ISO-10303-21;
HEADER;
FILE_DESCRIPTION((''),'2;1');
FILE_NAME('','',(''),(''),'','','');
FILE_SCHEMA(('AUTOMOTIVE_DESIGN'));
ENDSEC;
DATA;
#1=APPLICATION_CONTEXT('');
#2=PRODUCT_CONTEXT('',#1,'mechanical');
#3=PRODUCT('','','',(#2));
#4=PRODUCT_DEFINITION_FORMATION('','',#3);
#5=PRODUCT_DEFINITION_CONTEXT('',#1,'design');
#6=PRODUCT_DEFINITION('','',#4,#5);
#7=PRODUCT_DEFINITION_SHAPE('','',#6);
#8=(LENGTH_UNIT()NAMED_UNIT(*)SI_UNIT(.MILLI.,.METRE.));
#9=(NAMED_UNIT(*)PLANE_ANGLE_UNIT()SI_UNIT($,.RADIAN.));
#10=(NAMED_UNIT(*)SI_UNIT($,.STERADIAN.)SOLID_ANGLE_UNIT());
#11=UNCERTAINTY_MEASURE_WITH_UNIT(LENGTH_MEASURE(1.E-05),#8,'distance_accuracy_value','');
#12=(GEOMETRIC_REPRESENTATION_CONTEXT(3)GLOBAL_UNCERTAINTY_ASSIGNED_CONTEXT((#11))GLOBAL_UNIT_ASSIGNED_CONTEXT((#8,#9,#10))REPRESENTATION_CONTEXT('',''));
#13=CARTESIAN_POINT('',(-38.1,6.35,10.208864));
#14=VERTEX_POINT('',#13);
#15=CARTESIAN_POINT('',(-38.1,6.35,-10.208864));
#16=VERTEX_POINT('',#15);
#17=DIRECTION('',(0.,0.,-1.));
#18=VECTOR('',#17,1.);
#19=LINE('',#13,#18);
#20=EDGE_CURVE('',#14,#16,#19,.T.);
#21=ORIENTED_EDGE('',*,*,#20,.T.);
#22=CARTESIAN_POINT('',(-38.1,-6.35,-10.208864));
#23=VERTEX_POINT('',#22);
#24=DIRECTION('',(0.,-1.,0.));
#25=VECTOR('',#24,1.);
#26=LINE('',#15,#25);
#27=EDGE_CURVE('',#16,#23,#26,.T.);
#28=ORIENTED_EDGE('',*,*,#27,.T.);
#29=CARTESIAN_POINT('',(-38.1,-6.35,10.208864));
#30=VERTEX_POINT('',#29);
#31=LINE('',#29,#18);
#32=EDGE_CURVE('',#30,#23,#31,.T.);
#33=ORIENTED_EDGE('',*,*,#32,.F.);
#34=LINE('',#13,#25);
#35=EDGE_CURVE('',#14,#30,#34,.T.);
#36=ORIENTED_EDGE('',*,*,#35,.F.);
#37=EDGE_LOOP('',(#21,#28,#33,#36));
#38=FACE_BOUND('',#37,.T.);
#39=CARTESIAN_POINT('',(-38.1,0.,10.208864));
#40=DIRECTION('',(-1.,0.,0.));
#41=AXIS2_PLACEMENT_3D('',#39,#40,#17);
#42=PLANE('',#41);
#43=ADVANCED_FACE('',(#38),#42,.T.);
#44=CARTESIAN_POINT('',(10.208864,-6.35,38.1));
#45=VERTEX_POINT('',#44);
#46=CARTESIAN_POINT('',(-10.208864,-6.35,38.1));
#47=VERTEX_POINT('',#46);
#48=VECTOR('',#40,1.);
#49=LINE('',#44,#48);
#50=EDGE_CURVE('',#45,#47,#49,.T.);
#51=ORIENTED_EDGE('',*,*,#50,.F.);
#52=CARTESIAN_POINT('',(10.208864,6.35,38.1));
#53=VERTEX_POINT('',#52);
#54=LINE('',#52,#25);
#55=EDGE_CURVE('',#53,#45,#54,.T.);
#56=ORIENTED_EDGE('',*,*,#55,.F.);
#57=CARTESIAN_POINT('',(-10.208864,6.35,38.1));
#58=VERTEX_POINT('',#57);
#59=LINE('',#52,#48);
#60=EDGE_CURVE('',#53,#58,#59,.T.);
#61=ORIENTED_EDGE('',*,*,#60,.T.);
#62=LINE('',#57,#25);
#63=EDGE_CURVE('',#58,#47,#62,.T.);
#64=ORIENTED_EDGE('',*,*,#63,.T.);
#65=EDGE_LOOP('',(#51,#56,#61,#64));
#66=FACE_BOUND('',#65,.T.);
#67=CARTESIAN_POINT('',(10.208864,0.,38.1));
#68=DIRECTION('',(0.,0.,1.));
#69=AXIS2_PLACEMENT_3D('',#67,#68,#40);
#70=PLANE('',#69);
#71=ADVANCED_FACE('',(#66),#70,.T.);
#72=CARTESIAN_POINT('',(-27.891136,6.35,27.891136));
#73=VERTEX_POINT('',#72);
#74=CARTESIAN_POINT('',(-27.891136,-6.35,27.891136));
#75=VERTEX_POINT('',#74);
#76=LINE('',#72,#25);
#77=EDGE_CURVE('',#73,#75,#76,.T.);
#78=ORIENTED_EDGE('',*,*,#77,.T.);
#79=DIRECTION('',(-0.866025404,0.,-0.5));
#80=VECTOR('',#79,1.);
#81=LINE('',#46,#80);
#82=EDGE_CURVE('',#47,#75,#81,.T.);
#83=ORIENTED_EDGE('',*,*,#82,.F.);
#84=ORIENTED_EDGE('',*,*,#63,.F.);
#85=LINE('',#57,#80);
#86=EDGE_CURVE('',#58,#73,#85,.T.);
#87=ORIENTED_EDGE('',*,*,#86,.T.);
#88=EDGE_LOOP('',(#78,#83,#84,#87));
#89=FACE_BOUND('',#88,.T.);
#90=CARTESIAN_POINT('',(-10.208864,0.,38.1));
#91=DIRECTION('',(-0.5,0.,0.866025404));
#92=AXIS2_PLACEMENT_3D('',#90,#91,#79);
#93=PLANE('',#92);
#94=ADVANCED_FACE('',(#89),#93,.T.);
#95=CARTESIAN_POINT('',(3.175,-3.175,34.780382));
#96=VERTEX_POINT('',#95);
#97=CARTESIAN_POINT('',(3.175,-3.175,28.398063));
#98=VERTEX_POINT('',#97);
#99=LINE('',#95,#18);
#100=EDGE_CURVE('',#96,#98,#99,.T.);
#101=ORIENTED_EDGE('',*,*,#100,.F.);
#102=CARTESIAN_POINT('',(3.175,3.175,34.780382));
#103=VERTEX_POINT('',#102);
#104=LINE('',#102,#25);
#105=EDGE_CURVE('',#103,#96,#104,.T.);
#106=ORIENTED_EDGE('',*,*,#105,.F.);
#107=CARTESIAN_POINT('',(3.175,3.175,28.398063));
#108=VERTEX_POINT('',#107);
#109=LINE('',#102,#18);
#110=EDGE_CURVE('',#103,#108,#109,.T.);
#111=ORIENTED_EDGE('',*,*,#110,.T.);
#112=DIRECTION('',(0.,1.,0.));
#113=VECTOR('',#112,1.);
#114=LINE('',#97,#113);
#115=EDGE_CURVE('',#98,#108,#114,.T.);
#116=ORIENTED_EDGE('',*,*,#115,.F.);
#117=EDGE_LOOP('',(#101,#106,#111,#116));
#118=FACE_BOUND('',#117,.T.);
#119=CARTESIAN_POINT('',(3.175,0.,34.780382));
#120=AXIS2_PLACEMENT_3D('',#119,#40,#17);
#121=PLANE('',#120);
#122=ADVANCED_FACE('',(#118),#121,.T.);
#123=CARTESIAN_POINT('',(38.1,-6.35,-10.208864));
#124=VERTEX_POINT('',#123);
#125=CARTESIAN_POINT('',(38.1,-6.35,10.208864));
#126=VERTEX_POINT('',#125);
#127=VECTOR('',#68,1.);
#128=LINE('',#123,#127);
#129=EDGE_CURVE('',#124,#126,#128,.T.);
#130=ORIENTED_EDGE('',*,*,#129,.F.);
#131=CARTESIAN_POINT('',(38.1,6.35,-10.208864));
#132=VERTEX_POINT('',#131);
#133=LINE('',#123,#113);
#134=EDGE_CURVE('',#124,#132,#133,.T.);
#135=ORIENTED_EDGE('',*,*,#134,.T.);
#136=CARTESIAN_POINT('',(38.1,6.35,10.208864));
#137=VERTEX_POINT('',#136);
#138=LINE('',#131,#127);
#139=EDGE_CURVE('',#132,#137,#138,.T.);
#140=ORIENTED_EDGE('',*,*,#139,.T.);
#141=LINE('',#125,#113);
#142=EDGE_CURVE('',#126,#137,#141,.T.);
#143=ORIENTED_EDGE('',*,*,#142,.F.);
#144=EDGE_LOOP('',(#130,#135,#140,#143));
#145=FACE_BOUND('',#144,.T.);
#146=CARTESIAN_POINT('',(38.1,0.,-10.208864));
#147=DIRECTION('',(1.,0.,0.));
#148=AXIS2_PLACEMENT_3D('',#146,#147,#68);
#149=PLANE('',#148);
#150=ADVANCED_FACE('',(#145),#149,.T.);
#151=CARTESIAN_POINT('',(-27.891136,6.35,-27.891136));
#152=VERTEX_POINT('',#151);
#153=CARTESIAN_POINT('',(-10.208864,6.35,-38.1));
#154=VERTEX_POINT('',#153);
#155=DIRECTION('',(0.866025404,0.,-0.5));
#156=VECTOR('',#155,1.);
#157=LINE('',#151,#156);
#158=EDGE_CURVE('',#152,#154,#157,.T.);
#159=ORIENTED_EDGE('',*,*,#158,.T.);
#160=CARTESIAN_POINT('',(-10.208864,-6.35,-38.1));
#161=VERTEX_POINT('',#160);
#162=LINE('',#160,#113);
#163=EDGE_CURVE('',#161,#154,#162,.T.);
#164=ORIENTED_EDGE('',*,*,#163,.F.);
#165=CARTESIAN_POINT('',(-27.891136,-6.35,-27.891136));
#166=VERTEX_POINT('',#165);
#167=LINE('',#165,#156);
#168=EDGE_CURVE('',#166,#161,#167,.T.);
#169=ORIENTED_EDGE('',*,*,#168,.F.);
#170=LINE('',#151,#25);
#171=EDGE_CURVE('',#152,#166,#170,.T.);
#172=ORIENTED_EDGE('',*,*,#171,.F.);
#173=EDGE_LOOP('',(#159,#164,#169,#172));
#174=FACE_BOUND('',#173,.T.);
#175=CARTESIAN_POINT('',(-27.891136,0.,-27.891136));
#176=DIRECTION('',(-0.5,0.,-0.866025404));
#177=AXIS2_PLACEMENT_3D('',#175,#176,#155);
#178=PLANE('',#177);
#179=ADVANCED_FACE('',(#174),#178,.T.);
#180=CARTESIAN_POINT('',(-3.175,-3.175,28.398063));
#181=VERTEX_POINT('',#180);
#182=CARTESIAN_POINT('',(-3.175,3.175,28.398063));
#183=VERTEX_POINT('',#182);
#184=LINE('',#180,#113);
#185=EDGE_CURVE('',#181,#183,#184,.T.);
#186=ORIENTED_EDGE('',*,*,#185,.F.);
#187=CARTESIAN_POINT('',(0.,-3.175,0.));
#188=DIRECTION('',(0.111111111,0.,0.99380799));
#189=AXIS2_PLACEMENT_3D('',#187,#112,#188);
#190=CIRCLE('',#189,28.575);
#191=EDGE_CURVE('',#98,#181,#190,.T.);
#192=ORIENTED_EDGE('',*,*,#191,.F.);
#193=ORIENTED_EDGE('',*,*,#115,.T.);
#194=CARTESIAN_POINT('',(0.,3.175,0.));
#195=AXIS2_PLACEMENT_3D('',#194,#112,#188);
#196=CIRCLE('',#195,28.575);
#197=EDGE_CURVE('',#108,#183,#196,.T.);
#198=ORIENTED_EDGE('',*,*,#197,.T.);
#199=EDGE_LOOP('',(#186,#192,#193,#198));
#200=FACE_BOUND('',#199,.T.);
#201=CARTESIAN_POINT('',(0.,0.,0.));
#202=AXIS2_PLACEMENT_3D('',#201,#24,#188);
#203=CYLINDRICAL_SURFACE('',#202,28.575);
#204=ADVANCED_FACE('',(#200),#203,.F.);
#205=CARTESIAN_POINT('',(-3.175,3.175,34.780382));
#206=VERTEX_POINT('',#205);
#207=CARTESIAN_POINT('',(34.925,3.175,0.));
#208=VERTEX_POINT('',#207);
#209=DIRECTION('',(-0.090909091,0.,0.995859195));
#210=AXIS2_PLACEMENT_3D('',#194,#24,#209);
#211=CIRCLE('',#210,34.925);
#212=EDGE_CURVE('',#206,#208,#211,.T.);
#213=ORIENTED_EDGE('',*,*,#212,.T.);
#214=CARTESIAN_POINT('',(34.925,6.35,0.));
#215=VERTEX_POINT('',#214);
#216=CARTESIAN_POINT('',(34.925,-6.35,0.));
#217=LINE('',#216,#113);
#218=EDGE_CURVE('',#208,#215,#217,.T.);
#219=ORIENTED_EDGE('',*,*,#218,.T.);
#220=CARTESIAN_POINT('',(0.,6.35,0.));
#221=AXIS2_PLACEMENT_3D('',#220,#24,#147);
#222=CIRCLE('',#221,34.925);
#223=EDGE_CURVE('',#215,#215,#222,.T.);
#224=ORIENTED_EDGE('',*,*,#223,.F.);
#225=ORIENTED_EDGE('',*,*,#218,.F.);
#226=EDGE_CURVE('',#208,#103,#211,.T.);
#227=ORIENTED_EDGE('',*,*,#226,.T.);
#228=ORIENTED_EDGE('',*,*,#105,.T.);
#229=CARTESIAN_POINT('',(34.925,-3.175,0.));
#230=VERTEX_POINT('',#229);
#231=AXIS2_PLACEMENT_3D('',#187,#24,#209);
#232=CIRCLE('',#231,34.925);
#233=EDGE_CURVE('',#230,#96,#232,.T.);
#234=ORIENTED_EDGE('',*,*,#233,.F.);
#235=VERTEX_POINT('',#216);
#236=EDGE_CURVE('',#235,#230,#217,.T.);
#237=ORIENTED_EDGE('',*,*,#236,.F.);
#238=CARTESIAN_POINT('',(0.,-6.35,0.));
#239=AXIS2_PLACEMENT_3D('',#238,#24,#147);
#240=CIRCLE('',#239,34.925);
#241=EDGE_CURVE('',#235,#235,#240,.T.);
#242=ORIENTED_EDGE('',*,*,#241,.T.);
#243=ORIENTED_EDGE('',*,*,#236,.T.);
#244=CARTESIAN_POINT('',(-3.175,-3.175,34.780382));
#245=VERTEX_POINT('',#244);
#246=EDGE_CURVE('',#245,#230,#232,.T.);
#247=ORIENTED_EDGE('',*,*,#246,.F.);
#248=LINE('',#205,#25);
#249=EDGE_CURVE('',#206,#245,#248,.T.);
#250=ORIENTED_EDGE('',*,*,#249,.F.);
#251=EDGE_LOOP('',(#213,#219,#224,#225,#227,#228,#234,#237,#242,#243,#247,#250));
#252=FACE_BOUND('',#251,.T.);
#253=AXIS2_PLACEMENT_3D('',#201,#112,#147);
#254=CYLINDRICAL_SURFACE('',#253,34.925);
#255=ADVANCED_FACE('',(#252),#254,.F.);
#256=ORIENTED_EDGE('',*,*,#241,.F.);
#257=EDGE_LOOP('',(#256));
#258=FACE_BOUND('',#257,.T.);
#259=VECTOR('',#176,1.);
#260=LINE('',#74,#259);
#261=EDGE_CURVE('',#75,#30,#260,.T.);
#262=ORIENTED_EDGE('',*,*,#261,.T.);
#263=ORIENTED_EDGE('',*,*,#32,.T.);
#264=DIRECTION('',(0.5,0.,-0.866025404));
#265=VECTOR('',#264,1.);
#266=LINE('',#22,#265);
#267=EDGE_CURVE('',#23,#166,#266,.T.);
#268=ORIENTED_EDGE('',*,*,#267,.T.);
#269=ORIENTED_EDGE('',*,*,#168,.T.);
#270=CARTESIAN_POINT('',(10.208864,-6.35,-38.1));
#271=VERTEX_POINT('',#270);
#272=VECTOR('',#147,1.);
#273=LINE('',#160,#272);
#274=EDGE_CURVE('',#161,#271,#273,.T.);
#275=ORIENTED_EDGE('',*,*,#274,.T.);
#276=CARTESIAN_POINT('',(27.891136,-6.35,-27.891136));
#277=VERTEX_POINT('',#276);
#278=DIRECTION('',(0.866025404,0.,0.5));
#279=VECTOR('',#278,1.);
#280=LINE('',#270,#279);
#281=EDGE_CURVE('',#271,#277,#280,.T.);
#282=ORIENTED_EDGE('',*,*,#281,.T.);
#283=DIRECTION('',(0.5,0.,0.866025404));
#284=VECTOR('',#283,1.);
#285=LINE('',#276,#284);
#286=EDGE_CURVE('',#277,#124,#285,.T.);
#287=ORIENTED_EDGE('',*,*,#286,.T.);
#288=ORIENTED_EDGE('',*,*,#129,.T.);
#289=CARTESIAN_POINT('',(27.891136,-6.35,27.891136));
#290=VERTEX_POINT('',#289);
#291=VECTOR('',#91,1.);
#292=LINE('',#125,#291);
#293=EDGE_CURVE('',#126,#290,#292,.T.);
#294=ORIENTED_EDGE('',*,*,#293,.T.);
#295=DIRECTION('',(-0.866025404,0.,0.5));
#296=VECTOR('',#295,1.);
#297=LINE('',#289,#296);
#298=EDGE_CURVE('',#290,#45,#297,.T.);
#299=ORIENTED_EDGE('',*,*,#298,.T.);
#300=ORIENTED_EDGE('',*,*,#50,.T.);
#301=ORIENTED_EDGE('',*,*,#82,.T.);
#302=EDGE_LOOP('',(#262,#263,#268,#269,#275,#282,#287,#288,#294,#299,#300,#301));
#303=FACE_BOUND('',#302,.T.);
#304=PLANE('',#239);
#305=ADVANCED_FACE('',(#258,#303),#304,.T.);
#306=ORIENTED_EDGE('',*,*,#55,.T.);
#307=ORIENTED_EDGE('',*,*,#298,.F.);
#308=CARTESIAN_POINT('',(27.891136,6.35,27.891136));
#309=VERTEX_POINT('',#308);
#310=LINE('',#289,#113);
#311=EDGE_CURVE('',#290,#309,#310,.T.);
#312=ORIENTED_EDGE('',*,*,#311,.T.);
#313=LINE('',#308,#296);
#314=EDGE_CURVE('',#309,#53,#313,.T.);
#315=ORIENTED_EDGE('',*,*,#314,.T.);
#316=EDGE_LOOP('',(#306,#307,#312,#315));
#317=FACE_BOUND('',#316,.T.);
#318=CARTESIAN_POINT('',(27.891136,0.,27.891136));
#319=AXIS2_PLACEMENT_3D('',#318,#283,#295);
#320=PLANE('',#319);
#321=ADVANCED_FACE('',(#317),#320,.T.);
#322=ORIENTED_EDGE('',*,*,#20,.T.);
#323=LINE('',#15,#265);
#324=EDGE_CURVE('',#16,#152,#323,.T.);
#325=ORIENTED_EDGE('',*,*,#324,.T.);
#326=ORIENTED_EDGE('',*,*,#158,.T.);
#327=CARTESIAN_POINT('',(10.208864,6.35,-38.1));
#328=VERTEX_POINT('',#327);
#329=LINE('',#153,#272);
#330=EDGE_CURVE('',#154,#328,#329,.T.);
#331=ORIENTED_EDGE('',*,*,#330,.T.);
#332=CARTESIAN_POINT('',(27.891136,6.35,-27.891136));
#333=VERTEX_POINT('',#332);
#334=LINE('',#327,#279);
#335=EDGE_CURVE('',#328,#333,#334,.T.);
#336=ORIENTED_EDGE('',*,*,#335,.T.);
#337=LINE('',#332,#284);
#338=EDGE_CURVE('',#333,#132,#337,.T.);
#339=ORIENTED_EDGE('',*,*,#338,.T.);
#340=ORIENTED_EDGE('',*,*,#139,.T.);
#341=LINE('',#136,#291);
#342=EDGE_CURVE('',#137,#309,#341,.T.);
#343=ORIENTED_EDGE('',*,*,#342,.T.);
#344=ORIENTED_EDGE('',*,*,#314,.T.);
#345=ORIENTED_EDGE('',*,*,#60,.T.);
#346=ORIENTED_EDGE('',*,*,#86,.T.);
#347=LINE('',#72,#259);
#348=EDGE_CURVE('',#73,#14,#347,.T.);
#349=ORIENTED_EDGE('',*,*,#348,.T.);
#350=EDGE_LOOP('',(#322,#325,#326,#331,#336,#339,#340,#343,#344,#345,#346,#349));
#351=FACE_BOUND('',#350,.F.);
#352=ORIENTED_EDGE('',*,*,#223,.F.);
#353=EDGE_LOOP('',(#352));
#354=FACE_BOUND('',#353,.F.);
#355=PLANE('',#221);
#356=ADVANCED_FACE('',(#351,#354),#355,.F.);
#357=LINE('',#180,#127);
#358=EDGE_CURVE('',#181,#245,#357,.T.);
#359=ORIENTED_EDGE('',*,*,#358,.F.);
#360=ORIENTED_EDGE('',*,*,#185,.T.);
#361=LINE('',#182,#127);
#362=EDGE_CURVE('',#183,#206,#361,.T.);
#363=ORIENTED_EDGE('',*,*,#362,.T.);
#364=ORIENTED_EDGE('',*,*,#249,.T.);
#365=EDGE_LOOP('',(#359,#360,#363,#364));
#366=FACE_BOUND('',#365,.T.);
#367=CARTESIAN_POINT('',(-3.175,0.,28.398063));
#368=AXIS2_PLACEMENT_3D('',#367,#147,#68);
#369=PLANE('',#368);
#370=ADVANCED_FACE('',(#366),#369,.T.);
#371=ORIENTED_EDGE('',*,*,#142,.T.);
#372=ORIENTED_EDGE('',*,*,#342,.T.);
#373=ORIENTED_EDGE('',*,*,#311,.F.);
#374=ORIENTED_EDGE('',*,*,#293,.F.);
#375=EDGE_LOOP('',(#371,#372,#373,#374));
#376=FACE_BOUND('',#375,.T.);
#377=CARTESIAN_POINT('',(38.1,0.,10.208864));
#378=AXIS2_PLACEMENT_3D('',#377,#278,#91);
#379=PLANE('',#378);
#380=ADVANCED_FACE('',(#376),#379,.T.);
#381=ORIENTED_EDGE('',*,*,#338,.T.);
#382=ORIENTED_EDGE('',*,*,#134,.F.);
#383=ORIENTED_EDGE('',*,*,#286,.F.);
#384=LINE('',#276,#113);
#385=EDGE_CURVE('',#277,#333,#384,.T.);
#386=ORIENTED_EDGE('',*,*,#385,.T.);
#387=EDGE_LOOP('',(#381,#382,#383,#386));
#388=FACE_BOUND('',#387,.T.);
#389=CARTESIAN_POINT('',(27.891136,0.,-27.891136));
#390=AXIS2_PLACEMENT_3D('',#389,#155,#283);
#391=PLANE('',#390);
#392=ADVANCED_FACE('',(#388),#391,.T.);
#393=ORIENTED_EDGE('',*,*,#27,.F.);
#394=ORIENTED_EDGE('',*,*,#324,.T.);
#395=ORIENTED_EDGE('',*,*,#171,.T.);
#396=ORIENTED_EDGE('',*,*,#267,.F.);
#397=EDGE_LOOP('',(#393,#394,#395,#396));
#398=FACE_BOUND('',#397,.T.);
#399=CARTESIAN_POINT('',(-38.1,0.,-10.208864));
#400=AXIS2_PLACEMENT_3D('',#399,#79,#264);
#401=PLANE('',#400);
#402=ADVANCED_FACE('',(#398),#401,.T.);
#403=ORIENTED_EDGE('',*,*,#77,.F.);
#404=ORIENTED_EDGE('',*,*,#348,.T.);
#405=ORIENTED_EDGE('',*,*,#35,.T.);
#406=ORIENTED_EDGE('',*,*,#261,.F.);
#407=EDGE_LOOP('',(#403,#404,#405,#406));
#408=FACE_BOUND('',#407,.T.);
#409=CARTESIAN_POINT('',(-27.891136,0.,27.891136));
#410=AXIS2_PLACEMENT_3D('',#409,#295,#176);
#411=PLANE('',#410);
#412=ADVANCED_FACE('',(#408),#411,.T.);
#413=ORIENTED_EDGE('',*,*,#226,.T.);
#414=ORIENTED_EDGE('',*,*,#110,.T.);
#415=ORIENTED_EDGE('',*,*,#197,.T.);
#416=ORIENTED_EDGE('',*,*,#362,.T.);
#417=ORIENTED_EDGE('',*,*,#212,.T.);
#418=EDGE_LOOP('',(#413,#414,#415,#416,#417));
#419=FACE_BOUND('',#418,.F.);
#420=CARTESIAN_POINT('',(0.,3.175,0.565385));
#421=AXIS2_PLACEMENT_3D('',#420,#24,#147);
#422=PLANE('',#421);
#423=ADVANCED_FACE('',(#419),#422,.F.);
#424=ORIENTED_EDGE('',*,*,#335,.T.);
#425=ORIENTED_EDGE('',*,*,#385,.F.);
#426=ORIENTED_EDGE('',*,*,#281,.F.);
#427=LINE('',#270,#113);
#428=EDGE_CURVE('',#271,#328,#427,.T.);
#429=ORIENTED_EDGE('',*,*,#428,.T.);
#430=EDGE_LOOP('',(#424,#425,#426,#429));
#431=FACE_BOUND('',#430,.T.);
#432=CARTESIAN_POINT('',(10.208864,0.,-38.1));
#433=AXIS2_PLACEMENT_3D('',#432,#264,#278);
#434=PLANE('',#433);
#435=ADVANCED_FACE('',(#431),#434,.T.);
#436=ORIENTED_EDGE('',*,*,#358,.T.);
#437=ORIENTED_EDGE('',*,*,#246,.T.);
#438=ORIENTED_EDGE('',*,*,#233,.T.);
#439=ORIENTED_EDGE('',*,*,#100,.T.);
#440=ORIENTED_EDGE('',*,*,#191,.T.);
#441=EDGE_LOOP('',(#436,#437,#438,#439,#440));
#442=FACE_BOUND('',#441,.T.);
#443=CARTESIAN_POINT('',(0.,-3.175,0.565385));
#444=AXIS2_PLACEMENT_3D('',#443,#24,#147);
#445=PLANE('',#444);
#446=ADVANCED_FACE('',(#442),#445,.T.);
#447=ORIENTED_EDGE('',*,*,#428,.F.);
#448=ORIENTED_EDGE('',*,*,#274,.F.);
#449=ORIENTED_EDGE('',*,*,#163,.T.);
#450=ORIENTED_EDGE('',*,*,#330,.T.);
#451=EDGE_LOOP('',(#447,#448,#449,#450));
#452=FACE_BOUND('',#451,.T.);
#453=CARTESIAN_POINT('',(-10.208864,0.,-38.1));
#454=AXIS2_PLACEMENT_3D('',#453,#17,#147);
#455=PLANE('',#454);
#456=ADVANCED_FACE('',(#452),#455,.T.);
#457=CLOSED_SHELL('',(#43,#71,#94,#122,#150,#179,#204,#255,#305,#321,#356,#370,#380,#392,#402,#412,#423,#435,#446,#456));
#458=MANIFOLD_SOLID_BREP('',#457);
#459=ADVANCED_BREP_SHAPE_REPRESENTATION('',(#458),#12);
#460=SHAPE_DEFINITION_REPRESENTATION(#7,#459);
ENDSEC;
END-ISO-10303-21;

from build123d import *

# Parameters (mm, degrees)
F0_R     = 34.925
F1_DEPTH = 6.35
F3_DEPTH = 3.175


with BuildPart() as f1:
    # F0 (on Front) → F1 (new body, symmetric)
    with BuildSketch(Plane.XZ):
        Polygon((27.8911357684, 27.8911357684), (10.2088642316, 38.1), (-10.2088642316, 38.1), (-27.8911357684, 27.8911357684), (-38.1, 10.2088642316), (-38.1, -10.2088642316), (-27.8911357684, -27.8911357684), (-10.2088642316, -38.1), (10.2088642316, -38.1), (27.8911357684, -27.8911357684), (38.1, -10.2088642316), (38.1, 10.2088642316), align=None)
        Circle(F0_R, mode=Mode.SUBTRACT)
    extrude(amount=F1_DEPTH, both=True)

    # F2 (on Front) → F3 (join, symmetric)
    with BuildSketch(Plane.XZ):
        with BuildLine():
            Line((-3.175, 28.3980633142), (-3.175, 34.7803824016))
            ThreePointArc((-3.175, 34.7803824016), (0, -34.925), (3.175, 34.7803824016))
            Line((3.175, 34.7803824016), (3.175, 28.3980633142))
            ThreePointArc((3.175, 28.3980633142), (0, -28.575), (-3.175, 28.3980633142))
        make_face()
    extrude(amount=F3_DEPTH, both=True)


solid = f1.part
